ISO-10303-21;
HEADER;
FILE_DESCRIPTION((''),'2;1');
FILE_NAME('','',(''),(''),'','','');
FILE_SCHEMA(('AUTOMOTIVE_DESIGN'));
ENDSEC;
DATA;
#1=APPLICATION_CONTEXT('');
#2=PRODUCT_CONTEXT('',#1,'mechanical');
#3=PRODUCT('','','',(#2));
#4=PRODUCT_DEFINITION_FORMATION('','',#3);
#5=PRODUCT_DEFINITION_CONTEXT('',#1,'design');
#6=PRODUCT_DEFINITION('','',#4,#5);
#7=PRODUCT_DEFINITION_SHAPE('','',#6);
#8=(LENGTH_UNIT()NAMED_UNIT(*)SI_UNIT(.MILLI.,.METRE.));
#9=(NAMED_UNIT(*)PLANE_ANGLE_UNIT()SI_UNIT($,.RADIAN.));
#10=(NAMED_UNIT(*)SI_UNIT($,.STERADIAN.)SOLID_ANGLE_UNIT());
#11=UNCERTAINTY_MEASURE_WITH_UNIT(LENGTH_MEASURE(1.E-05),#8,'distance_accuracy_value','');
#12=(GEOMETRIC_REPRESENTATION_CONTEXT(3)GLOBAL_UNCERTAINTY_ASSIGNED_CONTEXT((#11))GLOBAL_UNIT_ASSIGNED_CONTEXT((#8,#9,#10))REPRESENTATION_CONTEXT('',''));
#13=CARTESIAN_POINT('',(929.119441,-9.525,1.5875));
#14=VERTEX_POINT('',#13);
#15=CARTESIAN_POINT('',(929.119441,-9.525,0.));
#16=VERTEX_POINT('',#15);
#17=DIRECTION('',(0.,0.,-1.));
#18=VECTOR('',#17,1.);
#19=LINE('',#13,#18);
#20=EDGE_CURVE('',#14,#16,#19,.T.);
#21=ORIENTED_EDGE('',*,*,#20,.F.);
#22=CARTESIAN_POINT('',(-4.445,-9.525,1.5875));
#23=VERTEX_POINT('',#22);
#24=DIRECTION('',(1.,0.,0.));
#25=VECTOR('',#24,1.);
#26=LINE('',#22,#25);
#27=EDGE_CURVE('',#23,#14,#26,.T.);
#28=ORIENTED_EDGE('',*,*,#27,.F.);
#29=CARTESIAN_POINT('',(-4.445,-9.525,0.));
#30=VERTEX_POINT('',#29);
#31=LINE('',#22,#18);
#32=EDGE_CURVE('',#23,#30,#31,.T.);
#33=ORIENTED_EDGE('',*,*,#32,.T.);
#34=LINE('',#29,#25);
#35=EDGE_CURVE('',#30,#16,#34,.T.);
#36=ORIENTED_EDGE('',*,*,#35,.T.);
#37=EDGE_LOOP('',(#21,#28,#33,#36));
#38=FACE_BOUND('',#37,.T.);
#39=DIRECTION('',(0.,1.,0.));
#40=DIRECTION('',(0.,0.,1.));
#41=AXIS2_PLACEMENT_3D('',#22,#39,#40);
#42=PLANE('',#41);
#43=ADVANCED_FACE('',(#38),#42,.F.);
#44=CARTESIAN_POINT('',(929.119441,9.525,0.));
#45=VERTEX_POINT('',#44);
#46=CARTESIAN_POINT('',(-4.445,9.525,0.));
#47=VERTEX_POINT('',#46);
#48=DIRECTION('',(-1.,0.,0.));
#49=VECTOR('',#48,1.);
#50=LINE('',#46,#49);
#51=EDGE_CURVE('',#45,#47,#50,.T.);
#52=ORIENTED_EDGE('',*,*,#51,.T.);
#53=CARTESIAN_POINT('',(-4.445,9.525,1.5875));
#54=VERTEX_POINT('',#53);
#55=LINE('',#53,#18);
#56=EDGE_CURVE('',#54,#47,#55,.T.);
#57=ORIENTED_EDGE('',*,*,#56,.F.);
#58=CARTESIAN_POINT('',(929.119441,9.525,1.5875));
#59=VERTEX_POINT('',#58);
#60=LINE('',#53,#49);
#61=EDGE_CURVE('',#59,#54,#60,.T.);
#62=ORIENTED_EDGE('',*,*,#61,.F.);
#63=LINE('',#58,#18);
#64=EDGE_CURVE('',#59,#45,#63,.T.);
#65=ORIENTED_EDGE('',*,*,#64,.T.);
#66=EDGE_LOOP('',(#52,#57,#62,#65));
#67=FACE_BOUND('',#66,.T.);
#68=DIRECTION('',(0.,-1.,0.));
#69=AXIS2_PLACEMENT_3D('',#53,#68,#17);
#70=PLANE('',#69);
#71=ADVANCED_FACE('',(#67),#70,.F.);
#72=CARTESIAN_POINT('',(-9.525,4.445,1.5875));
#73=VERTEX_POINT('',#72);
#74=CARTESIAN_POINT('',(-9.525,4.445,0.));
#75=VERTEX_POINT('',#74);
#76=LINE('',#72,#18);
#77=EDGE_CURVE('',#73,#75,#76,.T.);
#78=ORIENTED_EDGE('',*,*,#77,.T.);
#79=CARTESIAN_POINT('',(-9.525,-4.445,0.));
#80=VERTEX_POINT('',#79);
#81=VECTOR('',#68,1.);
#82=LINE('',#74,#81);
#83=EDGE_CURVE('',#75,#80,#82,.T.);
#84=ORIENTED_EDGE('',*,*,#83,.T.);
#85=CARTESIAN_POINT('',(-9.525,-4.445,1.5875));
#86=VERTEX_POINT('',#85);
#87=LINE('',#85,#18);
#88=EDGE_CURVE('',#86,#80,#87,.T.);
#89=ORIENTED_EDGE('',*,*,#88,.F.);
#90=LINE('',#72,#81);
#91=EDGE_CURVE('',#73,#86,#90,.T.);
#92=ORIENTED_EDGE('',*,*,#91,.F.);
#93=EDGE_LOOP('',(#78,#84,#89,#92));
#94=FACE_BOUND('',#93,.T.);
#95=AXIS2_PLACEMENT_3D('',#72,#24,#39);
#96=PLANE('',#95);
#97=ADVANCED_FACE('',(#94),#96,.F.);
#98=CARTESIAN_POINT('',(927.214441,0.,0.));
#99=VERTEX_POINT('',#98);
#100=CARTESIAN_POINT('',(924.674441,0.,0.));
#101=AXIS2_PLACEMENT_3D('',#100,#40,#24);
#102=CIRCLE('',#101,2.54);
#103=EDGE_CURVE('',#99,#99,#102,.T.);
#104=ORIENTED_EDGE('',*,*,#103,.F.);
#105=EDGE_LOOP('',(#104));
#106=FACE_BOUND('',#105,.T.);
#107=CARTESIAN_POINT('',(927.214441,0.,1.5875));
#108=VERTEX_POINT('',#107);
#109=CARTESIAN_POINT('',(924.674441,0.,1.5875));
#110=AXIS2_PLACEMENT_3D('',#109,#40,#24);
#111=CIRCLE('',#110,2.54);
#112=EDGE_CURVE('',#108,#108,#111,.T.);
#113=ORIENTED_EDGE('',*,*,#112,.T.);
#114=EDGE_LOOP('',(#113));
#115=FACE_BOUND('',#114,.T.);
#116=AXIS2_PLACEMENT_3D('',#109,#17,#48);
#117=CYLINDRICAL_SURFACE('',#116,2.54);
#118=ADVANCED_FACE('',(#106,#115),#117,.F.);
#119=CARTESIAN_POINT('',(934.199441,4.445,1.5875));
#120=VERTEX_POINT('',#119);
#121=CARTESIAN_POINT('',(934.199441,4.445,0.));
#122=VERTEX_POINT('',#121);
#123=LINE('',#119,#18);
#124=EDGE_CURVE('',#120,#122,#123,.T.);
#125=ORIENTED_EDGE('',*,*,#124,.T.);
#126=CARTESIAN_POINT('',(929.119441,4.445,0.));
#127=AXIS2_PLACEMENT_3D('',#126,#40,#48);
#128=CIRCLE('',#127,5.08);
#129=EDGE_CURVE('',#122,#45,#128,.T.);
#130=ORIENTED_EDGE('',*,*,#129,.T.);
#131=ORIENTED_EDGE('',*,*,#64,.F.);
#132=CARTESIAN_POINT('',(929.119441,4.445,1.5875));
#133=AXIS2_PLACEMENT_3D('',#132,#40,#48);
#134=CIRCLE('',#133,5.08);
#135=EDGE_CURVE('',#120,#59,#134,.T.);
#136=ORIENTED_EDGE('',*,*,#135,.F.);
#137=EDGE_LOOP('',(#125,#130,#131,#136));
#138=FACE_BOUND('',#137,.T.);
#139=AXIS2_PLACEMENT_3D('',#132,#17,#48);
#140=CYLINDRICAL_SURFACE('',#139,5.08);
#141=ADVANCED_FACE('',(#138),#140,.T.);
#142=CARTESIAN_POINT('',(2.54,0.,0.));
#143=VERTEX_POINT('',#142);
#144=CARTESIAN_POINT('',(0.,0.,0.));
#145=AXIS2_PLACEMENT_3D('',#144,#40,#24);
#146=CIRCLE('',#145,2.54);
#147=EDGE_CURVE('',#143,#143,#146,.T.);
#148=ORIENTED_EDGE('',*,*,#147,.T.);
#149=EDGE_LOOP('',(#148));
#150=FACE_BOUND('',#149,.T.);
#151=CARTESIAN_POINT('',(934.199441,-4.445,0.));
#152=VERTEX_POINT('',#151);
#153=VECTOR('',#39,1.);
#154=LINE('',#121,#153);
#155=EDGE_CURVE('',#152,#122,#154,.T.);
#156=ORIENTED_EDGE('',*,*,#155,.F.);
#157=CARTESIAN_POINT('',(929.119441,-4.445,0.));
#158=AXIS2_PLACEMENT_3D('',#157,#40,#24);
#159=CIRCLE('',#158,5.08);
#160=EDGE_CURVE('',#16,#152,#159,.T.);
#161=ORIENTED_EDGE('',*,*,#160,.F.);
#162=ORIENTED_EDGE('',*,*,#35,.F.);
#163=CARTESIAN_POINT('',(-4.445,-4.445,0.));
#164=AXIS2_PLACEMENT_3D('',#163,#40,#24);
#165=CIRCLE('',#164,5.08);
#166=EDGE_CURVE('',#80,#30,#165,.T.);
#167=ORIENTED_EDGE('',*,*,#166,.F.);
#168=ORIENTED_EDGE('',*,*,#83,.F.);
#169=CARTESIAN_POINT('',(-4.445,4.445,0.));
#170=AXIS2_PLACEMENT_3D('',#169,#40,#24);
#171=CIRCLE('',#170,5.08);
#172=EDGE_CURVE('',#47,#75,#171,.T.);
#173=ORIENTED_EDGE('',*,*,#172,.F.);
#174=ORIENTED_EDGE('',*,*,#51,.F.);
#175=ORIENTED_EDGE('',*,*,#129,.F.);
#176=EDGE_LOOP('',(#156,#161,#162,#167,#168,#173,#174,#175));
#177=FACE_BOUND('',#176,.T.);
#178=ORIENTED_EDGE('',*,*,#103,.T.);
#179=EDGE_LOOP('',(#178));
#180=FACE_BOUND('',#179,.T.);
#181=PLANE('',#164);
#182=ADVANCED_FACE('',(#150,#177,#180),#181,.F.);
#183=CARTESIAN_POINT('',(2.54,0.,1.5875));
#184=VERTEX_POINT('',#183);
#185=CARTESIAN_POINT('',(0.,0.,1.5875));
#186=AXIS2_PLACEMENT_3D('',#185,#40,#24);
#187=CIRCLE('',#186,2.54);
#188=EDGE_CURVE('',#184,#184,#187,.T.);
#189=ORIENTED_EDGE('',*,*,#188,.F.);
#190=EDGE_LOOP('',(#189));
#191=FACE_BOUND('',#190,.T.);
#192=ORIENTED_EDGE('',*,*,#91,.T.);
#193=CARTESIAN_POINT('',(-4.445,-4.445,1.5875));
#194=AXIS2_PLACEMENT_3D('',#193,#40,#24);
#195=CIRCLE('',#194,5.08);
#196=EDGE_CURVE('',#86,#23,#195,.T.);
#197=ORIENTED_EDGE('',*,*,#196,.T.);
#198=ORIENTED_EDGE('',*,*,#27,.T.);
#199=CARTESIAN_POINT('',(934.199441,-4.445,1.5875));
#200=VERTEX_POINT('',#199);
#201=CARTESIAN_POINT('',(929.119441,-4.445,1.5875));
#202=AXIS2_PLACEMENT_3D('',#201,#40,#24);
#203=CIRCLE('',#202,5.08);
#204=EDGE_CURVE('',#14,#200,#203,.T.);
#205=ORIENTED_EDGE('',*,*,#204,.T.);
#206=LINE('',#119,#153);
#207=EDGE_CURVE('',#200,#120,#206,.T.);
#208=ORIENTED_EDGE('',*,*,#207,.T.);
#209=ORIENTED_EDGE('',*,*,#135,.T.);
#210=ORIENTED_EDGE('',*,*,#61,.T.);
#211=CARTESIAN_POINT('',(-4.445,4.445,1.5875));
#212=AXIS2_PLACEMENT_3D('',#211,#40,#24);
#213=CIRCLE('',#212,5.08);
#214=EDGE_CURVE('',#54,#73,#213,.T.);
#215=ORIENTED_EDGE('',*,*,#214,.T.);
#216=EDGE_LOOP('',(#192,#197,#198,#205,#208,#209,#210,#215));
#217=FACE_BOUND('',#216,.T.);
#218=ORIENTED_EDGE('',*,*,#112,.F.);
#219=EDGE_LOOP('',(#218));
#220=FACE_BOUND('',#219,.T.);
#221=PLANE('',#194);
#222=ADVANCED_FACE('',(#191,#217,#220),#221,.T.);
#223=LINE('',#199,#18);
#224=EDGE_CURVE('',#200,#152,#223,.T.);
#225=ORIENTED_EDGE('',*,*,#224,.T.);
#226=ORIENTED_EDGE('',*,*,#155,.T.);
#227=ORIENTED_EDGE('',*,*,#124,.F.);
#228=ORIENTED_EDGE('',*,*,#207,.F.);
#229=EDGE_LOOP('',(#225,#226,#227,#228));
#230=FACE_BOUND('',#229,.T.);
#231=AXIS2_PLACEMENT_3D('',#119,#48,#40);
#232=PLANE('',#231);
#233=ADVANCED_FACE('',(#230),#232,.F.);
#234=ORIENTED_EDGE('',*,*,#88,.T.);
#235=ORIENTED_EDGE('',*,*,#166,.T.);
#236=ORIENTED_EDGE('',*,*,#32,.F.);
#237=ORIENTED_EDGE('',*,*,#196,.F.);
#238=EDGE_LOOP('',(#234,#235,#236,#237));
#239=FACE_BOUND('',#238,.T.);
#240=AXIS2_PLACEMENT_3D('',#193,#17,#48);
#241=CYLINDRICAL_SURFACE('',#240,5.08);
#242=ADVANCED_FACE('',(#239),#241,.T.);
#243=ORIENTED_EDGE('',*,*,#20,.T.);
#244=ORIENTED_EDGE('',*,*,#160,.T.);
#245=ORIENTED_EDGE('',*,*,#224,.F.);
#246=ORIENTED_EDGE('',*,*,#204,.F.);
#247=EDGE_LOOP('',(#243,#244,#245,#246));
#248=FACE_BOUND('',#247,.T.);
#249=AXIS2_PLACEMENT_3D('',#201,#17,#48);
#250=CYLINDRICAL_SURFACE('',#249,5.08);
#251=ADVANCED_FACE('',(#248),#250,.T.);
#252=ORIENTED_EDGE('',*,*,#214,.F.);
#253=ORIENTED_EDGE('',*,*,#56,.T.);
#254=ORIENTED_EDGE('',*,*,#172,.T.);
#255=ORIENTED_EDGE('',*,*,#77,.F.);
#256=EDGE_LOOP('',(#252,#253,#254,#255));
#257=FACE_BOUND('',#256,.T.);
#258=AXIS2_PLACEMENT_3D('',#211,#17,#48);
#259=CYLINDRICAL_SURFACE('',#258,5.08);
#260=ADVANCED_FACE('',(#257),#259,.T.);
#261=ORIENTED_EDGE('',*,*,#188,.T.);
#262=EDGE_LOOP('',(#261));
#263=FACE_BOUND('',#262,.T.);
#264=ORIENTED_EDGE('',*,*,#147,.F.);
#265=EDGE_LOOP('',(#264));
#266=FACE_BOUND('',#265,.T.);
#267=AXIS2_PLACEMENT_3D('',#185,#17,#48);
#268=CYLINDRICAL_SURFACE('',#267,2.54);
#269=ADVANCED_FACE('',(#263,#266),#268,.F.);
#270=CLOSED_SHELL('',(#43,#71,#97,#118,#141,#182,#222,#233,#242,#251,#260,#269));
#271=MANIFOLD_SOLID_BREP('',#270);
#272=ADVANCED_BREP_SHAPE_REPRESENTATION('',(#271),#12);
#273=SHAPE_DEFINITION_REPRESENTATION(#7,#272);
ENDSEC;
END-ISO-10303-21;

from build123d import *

# Parameters (mm, degrees)
SKETCH1_R           = 2.54
BOSS_EXTRUDE1_DEPTH = 1.5875


with BuildPart() as part:
    # Sketch1 → Boss-Extrude1 (new body)
    with BuildSketch(Plane.XY):
        with BuildLine():
            Line((-4.445, 9.525), (929.119441224, 9.525))
            ThreePointArc((929.119441224, 9.525), (932.711543672, 8.037102448), (934.199441224, 4.445))
            Line((934.199441224, 4.445), (934.199441224, -4.445))
            ThreePointArc((934.199441224, -4.445), (932.711543672, -8.037102448), (929.119441224, -9.525))
            Line((929.119441224, -9.525), (-4.445, -9.525))
            ThreePointArc((-4.445, -9.525), (-8.037102448, -8.037102448), (-9.525, -4.445))
            Line((-9.525, -4.445), (-9.525, 4.445))
            ThreePointArc((-9.525, 4.445), (-8.037102448, 8.037102448), (-4.445, 9.525))
        make_face()
        Circle(SKETCH1_R, mode=Mode.SUBTRACT)
        with Locations((924.674441224, 0)):
            Circle(SKETCH1_R, mode=Mode.SUBTRACT)
    extrude(amount=BOSS_EXTRUDE1_DEPTH)


solid = part.part
